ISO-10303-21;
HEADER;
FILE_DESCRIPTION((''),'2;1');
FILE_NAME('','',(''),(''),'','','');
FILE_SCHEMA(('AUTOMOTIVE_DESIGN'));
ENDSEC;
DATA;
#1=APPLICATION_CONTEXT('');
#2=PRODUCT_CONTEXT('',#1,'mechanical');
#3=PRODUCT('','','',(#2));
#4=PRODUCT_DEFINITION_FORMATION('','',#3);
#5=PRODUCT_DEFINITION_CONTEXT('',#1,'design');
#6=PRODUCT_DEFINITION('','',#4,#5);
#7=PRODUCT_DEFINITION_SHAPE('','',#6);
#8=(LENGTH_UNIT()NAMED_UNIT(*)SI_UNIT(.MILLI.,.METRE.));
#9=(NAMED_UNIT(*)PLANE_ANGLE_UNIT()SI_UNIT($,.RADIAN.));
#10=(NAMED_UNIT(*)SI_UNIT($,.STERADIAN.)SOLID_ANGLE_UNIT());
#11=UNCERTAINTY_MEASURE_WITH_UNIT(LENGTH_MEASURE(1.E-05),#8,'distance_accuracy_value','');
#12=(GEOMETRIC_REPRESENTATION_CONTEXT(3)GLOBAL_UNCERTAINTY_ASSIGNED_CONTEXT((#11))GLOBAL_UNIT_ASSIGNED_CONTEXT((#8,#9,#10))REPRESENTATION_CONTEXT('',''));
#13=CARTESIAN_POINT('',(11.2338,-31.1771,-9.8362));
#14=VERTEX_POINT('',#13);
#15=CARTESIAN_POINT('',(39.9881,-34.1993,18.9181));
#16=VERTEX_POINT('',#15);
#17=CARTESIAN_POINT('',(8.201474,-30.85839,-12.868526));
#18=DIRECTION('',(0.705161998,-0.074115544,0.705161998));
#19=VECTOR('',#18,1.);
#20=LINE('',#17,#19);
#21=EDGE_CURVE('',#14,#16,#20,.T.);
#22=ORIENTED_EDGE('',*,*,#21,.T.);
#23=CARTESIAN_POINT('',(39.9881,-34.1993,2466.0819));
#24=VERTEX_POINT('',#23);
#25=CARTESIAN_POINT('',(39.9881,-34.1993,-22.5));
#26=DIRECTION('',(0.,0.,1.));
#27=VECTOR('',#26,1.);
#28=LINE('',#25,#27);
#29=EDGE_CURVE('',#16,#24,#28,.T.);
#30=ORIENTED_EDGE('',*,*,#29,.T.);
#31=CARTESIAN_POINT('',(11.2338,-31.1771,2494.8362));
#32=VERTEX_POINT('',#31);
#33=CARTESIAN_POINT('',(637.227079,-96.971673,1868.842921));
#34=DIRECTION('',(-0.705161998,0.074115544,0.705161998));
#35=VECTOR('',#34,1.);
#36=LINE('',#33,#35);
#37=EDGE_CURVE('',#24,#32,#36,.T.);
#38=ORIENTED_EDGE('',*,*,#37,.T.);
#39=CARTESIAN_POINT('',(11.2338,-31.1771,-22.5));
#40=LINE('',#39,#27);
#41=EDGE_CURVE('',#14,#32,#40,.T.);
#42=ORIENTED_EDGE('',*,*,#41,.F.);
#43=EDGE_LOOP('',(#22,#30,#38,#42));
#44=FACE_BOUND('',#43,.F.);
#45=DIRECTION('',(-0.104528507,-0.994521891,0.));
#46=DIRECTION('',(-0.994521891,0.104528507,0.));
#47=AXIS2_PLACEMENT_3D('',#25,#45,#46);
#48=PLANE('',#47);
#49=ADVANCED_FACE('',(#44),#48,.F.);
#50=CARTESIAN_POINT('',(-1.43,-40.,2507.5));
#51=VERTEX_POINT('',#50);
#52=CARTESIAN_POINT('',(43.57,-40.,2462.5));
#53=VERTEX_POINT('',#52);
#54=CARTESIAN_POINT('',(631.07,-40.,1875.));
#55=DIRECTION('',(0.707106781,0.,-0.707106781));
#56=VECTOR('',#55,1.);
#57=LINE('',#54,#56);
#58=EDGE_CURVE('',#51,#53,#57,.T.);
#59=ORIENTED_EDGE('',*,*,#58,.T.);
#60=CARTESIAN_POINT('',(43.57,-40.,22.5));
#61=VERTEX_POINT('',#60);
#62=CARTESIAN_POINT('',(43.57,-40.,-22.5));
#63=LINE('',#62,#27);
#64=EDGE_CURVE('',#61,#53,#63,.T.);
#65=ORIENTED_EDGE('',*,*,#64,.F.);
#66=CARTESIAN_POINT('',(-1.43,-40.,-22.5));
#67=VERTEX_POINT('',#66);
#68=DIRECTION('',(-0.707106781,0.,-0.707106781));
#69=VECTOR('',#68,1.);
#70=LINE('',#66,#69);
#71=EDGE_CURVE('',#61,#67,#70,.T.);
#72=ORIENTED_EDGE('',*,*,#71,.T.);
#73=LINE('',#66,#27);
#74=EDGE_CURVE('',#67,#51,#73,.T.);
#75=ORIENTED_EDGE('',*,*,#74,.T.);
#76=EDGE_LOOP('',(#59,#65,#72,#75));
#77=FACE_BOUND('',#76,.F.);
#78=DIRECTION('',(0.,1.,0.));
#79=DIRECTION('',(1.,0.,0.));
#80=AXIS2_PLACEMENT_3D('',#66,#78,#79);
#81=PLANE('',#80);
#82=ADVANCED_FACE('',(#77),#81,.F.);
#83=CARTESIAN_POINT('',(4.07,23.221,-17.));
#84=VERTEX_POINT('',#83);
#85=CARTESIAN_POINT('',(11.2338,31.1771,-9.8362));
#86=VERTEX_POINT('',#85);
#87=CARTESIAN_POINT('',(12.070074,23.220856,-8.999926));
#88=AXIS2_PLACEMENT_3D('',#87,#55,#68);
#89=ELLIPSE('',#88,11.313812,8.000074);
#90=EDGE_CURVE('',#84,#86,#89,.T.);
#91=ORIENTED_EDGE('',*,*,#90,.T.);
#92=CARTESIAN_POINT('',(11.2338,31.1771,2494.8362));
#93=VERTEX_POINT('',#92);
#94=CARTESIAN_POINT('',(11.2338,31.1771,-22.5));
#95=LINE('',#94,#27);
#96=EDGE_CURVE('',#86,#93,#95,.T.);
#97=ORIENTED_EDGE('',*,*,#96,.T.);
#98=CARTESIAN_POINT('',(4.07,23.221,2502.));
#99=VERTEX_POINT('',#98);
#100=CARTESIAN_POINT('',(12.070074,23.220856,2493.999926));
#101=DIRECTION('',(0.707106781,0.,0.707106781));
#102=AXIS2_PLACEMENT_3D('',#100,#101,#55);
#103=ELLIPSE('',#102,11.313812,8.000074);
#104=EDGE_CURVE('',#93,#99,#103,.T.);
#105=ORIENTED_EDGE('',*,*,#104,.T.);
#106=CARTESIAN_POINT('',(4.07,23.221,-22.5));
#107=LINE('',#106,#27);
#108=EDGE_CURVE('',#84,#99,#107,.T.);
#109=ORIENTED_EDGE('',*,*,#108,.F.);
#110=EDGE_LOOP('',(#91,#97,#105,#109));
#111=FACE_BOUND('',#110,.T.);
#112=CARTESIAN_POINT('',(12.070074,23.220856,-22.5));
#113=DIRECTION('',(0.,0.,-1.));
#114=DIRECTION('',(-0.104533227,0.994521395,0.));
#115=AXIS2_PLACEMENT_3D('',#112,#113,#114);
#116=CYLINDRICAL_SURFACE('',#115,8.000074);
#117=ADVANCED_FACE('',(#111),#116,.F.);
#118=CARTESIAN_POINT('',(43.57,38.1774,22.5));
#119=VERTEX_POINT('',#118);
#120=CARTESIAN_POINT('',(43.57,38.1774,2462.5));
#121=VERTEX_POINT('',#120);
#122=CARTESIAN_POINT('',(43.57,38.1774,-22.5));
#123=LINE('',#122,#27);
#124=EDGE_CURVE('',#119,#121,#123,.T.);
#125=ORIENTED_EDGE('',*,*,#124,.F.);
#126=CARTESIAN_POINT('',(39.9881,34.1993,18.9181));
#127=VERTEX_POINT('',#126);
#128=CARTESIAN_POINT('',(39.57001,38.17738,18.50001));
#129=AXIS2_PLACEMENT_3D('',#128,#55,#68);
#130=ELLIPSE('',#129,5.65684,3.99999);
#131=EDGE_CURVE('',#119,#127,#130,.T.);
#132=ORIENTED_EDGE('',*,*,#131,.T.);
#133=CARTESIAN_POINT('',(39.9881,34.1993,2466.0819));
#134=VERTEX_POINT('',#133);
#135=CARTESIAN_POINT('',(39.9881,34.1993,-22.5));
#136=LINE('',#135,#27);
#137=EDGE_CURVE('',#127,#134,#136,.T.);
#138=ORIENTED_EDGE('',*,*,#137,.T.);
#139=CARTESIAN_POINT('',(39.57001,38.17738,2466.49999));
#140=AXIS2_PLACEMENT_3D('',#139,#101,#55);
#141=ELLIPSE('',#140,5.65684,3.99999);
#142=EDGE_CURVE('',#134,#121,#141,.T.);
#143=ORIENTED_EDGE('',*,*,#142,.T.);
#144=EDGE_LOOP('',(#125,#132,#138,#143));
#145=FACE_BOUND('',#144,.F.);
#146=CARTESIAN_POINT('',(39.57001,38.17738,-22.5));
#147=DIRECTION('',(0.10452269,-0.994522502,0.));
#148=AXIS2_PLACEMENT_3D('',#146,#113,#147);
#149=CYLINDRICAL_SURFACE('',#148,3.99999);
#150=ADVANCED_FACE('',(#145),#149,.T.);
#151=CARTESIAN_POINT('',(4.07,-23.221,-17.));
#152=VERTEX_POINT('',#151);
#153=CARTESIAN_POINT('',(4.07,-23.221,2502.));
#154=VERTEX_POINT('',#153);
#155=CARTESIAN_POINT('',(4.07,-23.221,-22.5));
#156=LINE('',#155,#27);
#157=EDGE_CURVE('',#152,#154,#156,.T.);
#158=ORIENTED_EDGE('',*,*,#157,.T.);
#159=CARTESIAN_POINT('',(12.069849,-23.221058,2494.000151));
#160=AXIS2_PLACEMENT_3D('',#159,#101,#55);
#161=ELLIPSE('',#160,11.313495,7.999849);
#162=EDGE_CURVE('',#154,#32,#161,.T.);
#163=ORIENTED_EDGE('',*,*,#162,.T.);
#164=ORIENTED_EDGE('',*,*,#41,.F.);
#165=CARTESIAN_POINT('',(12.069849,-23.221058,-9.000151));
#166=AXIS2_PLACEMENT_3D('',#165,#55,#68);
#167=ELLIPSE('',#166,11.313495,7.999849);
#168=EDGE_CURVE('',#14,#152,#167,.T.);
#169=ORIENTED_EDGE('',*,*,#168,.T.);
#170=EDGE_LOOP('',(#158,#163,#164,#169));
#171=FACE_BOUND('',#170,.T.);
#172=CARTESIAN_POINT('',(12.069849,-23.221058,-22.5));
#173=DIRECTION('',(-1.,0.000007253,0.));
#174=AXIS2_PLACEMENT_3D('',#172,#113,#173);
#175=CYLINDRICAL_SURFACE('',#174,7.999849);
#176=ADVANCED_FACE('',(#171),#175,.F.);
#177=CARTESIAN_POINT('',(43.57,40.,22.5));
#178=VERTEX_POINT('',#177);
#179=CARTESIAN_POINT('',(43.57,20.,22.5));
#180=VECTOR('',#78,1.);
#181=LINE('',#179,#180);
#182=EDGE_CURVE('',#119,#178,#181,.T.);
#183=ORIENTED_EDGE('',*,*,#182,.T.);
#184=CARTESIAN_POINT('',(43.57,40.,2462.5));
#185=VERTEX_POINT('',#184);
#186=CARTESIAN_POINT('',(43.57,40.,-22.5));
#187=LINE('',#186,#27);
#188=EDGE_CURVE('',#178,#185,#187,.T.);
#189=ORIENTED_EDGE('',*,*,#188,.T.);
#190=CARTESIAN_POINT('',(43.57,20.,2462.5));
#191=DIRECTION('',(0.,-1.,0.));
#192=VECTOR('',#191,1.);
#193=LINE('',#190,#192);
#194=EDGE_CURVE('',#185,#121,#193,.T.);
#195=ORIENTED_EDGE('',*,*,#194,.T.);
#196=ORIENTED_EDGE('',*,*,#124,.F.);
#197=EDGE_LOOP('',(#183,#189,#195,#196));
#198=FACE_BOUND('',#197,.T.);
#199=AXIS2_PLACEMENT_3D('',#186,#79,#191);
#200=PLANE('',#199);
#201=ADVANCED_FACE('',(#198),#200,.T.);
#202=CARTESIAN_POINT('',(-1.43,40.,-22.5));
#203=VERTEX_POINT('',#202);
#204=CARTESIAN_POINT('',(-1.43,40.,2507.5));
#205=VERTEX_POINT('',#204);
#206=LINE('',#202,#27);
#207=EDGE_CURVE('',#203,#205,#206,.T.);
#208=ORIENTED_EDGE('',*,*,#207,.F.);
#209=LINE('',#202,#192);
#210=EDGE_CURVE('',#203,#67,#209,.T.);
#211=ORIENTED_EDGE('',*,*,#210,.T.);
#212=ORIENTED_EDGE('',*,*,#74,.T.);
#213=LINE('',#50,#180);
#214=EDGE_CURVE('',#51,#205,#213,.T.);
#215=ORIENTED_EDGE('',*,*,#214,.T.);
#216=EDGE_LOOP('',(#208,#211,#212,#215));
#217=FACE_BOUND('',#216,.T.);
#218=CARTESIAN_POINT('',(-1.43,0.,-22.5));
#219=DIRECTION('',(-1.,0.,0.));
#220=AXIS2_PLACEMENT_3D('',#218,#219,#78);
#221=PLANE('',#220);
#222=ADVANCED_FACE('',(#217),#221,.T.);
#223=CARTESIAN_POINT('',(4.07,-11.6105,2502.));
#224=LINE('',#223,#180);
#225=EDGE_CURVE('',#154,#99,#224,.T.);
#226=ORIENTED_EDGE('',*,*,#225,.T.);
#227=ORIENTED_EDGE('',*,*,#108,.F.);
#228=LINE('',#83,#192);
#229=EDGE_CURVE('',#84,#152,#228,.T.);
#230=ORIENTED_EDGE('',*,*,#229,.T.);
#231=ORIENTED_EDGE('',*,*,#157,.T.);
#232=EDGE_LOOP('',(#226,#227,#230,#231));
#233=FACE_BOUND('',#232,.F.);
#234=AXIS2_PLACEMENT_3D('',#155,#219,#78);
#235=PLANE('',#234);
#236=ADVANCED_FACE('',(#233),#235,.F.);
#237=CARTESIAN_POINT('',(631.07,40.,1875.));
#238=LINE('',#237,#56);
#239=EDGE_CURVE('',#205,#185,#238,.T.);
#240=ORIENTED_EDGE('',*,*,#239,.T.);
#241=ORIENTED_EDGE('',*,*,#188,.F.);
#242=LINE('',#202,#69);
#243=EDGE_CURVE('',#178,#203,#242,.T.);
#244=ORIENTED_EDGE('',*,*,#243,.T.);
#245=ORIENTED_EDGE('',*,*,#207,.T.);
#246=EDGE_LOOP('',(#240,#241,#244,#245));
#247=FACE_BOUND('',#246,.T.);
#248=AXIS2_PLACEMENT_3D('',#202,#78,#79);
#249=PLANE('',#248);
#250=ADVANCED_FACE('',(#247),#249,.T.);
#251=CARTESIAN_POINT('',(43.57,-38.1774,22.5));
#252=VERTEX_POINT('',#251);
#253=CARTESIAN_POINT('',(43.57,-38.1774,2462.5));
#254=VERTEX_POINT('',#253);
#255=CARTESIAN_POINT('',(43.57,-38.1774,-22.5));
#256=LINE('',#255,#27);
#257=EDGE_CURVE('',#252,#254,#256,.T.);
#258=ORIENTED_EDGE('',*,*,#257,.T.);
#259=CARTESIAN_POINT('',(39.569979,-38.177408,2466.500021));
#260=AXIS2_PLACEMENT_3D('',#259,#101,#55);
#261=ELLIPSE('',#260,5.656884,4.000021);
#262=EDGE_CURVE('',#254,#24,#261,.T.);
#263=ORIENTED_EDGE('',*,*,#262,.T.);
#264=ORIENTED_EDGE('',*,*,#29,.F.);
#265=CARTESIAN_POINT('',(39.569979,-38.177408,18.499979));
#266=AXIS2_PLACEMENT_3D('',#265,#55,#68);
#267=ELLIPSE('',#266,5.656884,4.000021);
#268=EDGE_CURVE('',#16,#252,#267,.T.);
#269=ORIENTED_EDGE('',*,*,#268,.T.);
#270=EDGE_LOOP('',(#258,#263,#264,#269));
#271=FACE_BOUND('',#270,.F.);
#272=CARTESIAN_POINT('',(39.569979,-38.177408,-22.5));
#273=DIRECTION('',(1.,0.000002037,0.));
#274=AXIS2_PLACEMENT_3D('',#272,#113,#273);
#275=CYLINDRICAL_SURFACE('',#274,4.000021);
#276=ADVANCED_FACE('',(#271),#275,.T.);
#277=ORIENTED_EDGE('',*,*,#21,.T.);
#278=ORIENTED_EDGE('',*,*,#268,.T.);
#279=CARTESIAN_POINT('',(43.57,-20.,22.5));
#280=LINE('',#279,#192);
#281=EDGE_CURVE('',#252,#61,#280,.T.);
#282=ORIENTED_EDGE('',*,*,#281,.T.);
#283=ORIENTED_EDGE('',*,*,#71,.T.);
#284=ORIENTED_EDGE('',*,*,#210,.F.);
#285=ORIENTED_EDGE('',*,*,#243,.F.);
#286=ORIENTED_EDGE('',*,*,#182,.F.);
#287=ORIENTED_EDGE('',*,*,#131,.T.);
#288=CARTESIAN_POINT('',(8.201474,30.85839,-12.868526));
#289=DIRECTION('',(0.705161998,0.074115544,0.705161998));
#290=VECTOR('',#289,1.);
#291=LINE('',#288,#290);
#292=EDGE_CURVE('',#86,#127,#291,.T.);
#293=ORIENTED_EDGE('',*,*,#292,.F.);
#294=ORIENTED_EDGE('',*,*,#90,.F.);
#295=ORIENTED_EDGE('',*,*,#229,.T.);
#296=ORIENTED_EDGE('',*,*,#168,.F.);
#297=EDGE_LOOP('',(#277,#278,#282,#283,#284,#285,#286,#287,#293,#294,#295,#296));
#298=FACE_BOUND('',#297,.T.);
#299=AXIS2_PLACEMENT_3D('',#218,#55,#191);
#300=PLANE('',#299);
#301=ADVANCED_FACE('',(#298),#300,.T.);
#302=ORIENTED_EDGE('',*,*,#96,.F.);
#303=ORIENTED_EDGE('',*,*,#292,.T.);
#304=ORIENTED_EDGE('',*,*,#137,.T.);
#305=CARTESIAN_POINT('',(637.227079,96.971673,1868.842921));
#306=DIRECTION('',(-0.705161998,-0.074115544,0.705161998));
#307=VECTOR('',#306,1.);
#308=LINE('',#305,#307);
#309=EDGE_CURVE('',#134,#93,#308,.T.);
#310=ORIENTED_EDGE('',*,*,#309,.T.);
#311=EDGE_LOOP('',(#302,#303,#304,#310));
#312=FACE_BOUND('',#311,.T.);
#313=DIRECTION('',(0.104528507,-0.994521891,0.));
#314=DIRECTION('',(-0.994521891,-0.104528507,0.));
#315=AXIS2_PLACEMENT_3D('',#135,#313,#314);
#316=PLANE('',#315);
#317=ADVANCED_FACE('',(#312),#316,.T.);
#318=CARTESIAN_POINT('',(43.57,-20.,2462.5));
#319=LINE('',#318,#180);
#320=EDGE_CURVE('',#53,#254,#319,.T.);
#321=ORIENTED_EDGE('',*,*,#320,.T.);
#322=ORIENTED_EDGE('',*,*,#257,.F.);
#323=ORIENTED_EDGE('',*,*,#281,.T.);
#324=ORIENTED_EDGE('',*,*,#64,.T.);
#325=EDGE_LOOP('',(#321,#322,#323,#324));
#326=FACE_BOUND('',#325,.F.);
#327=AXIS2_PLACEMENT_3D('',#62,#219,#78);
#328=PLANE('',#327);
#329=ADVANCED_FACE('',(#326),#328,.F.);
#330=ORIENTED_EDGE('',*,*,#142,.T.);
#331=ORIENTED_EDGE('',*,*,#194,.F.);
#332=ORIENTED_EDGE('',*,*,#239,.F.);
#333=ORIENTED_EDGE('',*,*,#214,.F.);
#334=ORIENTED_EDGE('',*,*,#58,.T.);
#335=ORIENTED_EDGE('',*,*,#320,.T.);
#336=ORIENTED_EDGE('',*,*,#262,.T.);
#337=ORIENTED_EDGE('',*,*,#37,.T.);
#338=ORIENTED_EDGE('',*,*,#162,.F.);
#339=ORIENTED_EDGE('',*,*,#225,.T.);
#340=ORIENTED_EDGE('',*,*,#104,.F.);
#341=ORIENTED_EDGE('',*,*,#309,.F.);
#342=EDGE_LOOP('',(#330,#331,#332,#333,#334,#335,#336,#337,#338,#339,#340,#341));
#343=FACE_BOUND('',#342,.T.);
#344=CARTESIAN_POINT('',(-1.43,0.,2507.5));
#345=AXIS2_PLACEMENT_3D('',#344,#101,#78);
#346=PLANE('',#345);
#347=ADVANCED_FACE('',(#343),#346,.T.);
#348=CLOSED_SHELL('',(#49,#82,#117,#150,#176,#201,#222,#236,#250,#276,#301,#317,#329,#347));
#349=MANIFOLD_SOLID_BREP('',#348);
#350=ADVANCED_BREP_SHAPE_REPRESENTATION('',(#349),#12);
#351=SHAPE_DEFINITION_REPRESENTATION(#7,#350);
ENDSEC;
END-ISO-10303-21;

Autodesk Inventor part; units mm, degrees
ref_plane "Начальная плоскость" through (0, 0, -22.5) normal (0, 0, 1) x (1, 0, 0)
ref_plane "Конечная плоскость" through (0, 0, 2507.5) normal (0, 0, 1) x (1, 0, 0)
sketch "Эскиз" plane through (0, 0, 0) normal (0, 0, 1) x (1, 0, 0)
  line L0 (-1.43, 0) -> (-1.43, 40)
  line L1 (-1.43, 40) -> (43.57, 40)
  line L2 (43.57, 40) -> (43.57, 38.1774)
  line L3 (39.9881, 34.1993) -> (11.2338, 31.1771)
  line L4 (4.07, 23.221) -> (4.07, 0)
  line L5 (4.07, 0) -> (-1.43, 0) construction
  line L6 (23.82, 40) -> (23.82, 32.5) construction
  line L7 (43.57, 34.5758) -> (43.57, 32.5) construction
  line L8 (43.57, 32.5) -> (23.82, 32.5) construction
  line L9 (0, 15) -> (0, -27) construction
  line L10 (-5.539, 0) -> (16.0067, 0) construction
  line L11 (-1.43, 0) -> (-1.43, -40)
  line L12 (-1.43, -40) -> (43.57, -40)
  line L13 (43.57, -40) -> (43.57, -38.1774)
  line L14 (39.9881, -34.1993) -> (11.2338, -31.1771)
  line L15 (4.07, -23.221) -> (4.07, 0)
  arc A0 (11.2338, 31.1771) -> (4.07, 23.221) centre (12.07, 23.221) ccw
  arc A1 (4.07, -23.221) -> (11.2338, -31.1771) centre (12.07, -23.221) ccw
  arc A2 (39.9881, 34.1993) -> (43.57, 38.1774) centre (39.57, 38.1774) ccw
  arc A3 (43.57, -38.1774) -> (39.9881, -34.1993) centre (39.57, -38.1774) ccw
  line L16 (0, 56) -> (0, -56) construction
  line L17 (-15.5135, 0) -> (54.308, 0) construction
  point P0 (4.07, 30.4242)
  point P1 (43.57, -34.5758)
  point P2 (4.07, -30.4242)
  point P3 (23.82, -40)
  point P4 (23.82, -32.5)
  dimension "d0" = 5.5
  dimension "d1" = 40
  dimension "d2" = 45
  dimension "d3" = 7.5
  dimension "d4" = 19.75
  dimension "d5" = 2.0758
  dimension "d23" = 8
  dimension "d24" = 4
  dimension "d25" = 1.43
extrude "Тело" add sketch "Эскиз" along normal up to surface (2530 mm away) from surface at -22.5
sketch "Sketch3" plane through (0, 0, 0) normal (0, 0, 1) x (1, 0, 0)
  line L0 (0, 0) -> (10, 0)
ref_plane "Work Plane3" through (0, 0, 0) normal (0, -1, 0) x (1, 0, 0)
sketch "Sketch4" plane through (0, 0, 0) normal (0, -1, 0) x (1, 0, 0)
  line L0 (-2, -22.5) -> (12, -22.5)
  line L1 (-2, 2507.5) -> (12, 2507.5)
  dimension "d29" = 2530
ref_plane "РабПлоскость4" through (-1.43, 0, -22.5) normal (0.7071, 0, -0.7071) x (-0.7071, 0, -0.7071)
split "Разделение1" plane through (-1.43, 0, -22.5) removes the side toward (0.7071, 0, -0.7071)
ref_plane "РабПлоскость5" through (-1.43, 0, 2507.5) normal (0.7071, 0, 0.7071) x (0.7071, 0, -0.7071)
split "Разделение2" plane through (-1.43, 0, 2507.5) removes the side toward (0.7071, 0, 0.7071)
equation "\"d0\" = G_T"
equation "\"d1\" = 0.5 * G_H"
equation "\"d2\" = G_W"
equation "\"d3\" = G_T1"
equation "\"d4\" = G_C"
equation "\"d23\" = G_IR"
equation "\"d24\" = G_ER"
equation "\"d25\" = ex"
equation "\"d6\" = G_L"
equation "\"G_W\" = 45"
equation "\"G_T\" = 5.5"
equation "\"G_T1\" = 7.5"
equation "\"G_NG\" = 0.105104"
equation "\"G_ER\" = 4"
equation "\"G_IR\" = 8"
equation "\"G_C\" = 19.75"
equation "\"G_L\" = d29"
equation "\"ex\" = 1.43"
equation "\"G_OFFSET_START\" = 22.5"
equation "\"G_OFFSET_END\" = 22.5"
equation "\"d26\" = -G_OFFSET_START"
equation "\"d27\" = G_OFFSET_END + B_L"
equation "\"B_L\" = 2485"
equation "\"G_H\" = 80"
properties part number "ISO 657/11 - CH 80 x 8 - 2530" material "Сталь нержавеющая, 440C"
